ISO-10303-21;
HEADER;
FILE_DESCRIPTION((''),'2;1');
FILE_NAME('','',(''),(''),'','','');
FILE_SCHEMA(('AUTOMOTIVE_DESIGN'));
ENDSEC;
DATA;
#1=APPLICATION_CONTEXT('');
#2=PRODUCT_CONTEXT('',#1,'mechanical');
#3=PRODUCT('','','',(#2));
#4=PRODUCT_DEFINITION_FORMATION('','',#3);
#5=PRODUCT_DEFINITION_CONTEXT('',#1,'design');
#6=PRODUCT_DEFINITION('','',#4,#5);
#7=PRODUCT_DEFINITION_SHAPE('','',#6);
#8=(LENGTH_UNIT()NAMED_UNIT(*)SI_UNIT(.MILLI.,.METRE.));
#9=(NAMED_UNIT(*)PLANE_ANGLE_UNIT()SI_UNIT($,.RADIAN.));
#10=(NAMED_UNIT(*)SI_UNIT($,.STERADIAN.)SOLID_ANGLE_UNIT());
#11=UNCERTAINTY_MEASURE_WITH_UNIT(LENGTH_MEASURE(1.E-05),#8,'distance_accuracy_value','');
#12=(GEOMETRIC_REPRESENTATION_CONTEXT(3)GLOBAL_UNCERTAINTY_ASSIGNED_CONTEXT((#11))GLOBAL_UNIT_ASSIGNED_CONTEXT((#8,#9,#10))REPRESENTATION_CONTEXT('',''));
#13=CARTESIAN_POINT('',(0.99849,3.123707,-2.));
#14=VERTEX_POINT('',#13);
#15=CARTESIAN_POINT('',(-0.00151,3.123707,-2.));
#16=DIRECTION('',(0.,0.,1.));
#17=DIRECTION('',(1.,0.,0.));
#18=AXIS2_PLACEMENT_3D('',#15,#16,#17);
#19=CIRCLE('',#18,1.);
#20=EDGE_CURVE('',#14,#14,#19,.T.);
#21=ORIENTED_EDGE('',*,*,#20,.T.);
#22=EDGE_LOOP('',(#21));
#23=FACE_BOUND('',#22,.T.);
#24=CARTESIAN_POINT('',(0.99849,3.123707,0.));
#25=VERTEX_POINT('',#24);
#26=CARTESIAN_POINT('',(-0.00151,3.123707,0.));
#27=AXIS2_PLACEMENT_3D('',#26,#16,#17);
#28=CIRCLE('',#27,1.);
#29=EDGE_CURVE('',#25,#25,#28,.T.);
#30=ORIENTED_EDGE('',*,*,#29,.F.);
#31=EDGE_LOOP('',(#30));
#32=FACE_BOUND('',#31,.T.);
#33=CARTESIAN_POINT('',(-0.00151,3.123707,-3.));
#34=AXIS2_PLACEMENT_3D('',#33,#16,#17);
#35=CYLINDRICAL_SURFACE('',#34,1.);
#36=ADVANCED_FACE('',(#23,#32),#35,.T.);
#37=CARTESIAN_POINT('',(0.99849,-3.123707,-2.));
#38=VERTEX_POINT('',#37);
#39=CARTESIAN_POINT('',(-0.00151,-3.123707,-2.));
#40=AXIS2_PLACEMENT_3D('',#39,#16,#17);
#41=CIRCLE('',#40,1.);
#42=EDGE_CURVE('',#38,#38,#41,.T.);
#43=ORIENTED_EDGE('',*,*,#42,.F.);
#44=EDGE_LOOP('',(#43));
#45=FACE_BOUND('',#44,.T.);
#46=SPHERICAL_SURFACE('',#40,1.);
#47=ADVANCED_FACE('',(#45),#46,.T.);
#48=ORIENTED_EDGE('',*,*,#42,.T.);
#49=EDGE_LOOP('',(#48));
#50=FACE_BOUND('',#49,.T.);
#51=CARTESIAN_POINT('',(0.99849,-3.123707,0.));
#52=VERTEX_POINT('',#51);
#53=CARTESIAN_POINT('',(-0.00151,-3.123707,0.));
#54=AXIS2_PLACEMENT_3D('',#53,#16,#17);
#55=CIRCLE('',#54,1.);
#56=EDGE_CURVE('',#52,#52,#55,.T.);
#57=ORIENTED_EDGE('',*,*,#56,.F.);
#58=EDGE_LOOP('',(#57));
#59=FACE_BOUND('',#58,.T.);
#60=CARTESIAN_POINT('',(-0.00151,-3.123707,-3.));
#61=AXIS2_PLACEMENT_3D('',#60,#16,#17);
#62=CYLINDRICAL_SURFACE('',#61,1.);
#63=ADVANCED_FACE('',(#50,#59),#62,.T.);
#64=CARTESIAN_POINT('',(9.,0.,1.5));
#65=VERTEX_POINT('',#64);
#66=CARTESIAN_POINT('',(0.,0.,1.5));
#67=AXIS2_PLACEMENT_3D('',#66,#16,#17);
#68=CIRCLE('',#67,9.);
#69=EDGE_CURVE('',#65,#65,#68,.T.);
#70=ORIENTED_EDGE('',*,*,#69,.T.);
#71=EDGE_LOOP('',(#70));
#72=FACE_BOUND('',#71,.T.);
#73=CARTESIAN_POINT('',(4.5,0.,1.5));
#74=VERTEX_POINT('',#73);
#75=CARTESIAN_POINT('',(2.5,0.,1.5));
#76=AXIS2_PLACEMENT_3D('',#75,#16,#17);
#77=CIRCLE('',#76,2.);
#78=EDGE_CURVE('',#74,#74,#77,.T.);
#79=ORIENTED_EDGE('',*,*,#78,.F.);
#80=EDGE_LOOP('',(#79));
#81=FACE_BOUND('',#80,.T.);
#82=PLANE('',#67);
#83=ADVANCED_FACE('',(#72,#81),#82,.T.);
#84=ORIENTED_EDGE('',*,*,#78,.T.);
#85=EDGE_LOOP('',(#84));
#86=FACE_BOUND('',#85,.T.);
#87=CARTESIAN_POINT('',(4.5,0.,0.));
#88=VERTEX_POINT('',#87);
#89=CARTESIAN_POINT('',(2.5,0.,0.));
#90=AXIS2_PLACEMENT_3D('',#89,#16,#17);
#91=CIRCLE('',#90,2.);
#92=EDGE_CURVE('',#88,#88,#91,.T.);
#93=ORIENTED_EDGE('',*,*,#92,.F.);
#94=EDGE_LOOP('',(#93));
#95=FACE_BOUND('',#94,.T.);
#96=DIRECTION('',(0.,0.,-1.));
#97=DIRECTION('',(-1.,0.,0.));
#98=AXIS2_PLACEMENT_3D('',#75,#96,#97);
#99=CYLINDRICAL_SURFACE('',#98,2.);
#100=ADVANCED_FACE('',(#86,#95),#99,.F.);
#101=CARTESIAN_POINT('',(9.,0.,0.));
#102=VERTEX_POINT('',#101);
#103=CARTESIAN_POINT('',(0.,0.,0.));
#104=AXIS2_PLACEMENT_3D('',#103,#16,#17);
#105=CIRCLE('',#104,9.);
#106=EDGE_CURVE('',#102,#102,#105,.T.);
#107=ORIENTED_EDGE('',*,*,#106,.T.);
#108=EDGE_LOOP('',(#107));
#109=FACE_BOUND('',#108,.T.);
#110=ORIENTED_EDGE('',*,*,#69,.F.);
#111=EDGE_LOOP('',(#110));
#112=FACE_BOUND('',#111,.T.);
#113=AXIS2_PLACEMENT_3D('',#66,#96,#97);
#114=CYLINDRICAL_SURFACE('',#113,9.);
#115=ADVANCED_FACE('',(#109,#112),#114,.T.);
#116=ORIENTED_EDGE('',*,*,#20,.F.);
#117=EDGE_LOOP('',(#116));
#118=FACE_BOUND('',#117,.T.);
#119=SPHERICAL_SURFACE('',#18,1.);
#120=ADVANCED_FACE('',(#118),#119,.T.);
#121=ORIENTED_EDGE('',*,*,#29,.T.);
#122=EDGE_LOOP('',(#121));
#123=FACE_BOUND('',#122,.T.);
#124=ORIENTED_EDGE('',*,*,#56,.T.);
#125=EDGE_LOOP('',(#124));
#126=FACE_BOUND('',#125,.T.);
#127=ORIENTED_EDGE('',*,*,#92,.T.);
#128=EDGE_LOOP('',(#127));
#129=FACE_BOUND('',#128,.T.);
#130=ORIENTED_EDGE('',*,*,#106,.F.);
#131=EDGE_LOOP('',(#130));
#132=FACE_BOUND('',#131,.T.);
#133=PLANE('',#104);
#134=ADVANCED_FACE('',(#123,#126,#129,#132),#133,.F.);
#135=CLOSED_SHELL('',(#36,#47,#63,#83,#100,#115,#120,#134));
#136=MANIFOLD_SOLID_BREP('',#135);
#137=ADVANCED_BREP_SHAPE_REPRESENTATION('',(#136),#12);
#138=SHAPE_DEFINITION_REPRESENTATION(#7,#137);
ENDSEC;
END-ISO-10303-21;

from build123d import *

# Parameters (mm, degrees)
SKETCH_2_R      = 9
SKETCH_2_R_2    = 2
EXTRUDE_1_DEPTH = 1.5
SKETCH_2_3_R    = 1
EXTRUDE_3_DEPTH = 3
FILLET_1_R      = 1


with BuildPart() as part:
    # 草图2 → 凸台-拉伸1 (new body)
    with BuildSketch(Plane.XY):
        Circle(SKETCH_2_R)
        with Locations((2.5, 0)):
            Circle(SKETCH_2_R_2, mode=Mode.SUBTRACT)
    extrude(amount=EXTRUDE_1_DEPTH)

    # 草图2<3> → 凸台-拉伸3 (add)
    with BuildSketch(Plane.XY):
        with Locations((-0.001510054, -3.123707411)):
            Circle(SKETCH_2_3_R)
        with Locations((-0.001510054, 3.123707411)):
            Circle(SKETCH_2_3_R)
    extrude(amount=-EXTRUDE_3_DEPTH)

    # 圆角1
    fillet_1_edges = [part.edges().sort_by_distance(p)[0] for p in [
        (-1.001510054, 3.123707411, -3),
        (-1.001510054, -3.123707411, -3),
    ]]
    fillet(fillet_1_edges, radius=FILLET_1_R)


solid = part.part
